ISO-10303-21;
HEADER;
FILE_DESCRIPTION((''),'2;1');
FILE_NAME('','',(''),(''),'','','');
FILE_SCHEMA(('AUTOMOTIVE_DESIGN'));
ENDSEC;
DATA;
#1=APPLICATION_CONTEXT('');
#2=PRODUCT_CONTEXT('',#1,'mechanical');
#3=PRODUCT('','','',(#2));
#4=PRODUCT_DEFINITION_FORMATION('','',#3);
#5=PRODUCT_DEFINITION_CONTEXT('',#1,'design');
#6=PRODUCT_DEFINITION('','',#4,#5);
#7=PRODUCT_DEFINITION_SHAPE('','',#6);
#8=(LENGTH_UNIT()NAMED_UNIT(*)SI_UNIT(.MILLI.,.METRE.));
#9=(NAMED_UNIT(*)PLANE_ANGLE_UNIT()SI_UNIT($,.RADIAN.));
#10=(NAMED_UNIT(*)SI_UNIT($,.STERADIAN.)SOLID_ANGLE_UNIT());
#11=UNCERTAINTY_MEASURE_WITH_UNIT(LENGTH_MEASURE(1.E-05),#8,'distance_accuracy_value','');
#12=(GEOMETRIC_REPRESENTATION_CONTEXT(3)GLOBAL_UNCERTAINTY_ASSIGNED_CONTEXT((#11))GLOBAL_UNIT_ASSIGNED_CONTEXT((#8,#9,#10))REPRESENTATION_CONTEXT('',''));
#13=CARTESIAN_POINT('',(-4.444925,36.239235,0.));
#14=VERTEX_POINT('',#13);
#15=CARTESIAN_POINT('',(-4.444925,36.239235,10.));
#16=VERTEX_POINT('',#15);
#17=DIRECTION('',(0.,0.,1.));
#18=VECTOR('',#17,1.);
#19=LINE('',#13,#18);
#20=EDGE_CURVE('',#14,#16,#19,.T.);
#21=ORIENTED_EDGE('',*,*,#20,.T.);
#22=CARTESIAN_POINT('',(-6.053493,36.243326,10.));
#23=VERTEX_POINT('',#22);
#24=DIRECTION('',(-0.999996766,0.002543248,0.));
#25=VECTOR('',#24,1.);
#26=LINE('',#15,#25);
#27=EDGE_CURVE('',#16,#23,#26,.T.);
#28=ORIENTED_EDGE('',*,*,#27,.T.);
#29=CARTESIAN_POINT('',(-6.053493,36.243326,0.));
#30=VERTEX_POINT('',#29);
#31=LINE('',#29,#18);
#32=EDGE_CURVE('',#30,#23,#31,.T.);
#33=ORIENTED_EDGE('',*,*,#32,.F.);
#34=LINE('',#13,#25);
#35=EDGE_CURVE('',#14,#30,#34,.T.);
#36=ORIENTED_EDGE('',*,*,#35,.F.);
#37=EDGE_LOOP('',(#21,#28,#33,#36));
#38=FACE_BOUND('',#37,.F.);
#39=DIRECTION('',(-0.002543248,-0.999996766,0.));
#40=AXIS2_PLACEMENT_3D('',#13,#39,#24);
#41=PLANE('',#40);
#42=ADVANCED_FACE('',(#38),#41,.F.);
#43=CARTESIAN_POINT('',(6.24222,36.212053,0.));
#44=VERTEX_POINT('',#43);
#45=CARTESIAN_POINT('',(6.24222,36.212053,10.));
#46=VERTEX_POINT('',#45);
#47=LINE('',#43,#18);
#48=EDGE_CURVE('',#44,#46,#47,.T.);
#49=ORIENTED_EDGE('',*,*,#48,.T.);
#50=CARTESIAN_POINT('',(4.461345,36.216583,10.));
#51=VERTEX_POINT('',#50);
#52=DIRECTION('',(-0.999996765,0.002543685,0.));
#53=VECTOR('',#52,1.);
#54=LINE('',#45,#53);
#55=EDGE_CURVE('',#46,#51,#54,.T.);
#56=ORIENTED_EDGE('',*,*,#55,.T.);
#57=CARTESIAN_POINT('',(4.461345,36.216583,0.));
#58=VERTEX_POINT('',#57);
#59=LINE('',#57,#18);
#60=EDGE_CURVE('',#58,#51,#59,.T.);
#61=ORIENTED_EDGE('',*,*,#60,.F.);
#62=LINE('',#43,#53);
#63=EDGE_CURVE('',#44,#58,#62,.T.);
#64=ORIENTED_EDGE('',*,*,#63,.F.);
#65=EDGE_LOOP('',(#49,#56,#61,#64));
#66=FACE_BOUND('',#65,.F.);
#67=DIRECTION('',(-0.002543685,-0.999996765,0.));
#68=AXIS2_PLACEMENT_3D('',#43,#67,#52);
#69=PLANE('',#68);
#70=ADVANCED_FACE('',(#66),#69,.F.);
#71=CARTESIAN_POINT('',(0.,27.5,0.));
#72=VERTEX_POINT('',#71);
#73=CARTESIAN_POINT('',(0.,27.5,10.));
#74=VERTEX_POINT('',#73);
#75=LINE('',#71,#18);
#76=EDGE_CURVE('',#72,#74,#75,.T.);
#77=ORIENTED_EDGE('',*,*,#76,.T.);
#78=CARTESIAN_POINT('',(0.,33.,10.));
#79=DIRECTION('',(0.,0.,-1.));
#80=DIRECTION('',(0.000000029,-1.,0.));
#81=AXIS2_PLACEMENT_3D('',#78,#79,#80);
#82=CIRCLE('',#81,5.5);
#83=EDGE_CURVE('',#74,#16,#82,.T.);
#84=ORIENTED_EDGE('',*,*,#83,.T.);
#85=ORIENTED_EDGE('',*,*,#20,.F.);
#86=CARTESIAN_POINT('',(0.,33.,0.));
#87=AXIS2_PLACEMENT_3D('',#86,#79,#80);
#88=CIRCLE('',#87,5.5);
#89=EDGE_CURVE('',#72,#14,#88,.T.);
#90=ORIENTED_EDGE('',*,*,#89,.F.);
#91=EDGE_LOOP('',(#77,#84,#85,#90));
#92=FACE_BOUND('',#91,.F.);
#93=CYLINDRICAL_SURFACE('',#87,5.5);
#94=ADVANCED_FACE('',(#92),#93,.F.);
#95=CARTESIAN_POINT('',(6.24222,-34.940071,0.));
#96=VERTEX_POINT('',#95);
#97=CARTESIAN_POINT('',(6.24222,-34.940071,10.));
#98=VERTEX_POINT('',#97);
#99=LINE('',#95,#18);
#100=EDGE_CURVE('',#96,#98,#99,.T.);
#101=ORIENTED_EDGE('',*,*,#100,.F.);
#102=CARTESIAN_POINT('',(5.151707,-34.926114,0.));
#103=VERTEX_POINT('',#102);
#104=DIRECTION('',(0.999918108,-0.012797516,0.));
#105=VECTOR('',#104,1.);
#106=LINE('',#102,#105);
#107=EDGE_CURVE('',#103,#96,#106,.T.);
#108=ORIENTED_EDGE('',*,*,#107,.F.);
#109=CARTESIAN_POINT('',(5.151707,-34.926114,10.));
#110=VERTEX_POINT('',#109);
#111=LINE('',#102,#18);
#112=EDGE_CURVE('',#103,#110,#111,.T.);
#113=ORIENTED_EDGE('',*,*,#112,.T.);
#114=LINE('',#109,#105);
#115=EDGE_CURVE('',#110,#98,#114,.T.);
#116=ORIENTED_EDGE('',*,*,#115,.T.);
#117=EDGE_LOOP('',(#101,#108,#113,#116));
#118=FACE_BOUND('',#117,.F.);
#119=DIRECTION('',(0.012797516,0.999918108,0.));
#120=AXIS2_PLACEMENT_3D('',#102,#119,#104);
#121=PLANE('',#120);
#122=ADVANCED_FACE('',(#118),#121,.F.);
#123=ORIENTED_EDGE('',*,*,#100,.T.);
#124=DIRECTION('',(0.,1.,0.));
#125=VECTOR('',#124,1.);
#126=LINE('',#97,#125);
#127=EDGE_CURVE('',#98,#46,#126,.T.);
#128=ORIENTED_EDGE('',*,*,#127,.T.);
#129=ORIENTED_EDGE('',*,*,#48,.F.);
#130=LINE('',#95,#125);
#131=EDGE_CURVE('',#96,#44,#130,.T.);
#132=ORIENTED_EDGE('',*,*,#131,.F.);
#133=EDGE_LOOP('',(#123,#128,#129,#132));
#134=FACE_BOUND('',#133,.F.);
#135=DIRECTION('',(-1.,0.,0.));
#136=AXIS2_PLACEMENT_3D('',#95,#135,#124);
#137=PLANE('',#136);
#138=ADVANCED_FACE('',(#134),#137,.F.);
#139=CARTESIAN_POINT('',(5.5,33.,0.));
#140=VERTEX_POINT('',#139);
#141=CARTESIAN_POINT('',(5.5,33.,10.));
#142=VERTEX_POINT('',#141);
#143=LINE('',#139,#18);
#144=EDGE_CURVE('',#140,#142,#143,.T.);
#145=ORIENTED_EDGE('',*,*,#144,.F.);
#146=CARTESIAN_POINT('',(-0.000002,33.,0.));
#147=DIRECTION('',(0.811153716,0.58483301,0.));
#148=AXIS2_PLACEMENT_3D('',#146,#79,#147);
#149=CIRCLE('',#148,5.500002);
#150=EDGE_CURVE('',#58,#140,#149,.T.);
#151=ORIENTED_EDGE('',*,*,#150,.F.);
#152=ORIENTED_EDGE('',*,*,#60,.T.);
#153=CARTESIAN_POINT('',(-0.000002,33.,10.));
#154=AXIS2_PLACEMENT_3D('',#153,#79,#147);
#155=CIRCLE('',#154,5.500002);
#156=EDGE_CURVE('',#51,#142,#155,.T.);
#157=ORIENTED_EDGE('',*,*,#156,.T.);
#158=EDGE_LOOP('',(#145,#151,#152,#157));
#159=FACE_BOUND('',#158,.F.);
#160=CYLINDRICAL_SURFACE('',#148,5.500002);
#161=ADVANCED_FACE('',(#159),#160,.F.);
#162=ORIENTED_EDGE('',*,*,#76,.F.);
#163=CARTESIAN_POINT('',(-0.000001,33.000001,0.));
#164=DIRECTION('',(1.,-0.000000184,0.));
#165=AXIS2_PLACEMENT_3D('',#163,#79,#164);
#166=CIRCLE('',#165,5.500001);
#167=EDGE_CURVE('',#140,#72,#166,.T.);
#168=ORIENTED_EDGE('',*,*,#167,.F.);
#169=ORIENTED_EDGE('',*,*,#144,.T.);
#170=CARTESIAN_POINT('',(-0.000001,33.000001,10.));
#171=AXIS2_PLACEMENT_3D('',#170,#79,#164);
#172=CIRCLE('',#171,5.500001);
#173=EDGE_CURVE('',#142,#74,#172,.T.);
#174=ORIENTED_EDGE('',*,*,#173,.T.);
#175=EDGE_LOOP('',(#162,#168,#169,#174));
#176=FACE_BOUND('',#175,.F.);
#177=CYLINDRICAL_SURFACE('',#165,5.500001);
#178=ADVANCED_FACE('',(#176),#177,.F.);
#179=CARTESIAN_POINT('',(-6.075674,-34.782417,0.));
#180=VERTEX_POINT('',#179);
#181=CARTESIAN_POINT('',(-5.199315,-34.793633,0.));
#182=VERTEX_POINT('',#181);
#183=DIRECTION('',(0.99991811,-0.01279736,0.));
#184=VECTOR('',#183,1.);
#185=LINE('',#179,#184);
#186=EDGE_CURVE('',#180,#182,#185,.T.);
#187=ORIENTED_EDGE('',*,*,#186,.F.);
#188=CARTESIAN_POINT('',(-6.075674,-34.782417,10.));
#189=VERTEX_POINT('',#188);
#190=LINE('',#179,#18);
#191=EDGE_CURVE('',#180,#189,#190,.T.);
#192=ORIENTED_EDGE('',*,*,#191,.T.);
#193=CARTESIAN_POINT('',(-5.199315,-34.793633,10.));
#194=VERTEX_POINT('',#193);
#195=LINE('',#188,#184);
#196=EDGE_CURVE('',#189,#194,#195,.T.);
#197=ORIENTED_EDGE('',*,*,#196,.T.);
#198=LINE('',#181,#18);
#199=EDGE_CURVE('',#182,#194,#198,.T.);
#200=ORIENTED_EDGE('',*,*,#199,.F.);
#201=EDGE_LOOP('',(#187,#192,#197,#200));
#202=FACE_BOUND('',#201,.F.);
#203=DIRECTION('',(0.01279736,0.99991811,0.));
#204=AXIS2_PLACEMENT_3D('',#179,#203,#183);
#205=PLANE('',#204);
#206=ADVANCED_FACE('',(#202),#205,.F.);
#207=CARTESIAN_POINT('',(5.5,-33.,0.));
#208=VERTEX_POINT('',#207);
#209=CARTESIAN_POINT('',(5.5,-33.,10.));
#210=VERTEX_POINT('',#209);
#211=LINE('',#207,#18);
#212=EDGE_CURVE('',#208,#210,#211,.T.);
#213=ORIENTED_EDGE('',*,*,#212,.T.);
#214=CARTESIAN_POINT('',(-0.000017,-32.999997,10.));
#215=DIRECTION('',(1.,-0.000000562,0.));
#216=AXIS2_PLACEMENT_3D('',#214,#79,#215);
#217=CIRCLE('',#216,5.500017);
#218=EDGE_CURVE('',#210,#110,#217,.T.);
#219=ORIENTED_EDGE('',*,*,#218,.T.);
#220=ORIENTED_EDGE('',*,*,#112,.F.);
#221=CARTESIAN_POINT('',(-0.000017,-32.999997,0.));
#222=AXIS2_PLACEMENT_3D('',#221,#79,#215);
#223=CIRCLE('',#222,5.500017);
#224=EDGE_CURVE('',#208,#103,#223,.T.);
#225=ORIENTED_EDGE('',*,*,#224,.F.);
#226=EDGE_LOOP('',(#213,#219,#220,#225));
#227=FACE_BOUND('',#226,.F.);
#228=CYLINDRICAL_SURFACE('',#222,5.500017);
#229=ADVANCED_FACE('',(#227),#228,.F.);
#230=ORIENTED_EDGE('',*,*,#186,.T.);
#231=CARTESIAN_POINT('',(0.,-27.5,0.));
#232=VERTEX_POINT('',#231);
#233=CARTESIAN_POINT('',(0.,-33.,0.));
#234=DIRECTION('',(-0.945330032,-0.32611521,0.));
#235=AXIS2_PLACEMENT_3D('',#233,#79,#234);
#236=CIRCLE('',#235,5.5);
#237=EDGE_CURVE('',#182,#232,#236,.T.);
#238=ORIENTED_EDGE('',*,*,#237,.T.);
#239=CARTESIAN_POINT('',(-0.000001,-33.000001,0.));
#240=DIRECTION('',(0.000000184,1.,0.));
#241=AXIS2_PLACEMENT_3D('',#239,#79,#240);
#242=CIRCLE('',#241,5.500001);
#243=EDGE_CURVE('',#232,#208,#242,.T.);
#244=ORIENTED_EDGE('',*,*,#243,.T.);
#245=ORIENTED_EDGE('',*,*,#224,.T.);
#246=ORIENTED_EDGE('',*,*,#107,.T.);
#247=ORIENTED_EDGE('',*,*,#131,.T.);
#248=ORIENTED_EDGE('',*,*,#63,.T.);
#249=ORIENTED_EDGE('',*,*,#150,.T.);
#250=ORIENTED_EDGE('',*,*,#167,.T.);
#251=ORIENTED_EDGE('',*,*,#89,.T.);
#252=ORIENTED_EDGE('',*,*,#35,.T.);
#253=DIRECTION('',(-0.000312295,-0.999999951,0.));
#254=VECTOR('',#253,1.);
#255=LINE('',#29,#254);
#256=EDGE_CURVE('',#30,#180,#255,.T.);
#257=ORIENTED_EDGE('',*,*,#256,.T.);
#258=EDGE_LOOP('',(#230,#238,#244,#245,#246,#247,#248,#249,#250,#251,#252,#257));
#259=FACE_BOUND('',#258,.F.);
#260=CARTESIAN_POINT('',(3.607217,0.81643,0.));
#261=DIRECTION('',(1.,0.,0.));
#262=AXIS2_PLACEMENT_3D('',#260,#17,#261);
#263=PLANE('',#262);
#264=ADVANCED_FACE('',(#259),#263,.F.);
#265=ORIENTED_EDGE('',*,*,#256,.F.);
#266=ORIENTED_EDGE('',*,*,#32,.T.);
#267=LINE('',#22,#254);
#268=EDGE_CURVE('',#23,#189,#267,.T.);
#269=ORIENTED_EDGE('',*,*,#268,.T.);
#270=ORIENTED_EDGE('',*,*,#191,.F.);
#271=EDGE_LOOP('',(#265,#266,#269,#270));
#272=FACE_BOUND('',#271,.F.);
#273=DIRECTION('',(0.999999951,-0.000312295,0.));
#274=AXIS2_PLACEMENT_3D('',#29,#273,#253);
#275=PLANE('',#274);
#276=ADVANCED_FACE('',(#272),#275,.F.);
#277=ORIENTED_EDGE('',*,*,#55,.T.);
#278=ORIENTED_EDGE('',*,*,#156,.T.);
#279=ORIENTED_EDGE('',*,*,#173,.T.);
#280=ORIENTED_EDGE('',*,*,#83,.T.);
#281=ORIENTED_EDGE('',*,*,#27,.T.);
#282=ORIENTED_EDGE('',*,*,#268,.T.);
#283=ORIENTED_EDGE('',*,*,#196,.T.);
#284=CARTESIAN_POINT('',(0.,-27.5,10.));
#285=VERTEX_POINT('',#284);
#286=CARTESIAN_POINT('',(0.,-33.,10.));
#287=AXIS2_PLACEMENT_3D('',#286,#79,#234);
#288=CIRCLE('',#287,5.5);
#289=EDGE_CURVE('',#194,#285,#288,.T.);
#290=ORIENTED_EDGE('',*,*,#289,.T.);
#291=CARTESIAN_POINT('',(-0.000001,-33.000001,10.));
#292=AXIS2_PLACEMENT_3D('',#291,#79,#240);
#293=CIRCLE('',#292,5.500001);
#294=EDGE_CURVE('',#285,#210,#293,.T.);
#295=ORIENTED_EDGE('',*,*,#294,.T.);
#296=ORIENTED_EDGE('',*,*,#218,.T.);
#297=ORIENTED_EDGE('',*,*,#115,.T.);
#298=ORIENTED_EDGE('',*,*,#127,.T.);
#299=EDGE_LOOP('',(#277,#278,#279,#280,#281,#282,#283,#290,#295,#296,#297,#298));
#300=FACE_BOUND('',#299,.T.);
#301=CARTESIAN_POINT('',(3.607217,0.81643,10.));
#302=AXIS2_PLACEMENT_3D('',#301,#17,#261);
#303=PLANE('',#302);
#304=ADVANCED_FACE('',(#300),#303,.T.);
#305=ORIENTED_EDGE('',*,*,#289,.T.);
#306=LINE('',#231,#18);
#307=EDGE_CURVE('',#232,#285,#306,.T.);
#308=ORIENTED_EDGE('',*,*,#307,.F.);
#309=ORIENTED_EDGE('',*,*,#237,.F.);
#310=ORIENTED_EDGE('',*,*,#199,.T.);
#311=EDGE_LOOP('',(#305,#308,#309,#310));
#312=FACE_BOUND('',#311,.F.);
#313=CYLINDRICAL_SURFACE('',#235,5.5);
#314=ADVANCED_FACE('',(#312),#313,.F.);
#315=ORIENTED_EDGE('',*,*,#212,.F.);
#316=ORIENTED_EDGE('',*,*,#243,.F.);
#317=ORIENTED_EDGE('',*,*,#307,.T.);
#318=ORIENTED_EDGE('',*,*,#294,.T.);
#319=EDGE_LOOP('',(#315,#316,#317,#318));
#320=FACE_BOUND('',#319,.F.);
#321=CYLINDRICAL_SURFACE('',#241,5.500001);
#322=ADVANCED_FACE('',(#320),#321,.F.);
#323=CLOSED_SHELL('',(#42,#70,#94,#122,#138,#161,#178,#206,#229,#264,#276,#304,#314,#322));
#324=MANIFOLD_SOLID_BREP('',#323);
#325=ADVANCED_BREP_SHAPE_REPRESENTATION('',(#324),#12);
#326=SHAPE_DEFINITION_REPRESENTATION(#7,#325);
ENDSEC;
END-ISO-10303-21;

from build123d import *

# Parameters (mm, degrees)
F1_DEPTH = 10


with BuildPart() as f1:
    # F0 (on Top) → F1 (new body)
    with BuildSketch(Plane.XY):
        with BuildLine():
            Line((0, 27.5), (0, 0))
            Line((0, 0), (0, -27.5))
            ThreePointArc((0, -27.5), (3.889087, -29.110913), (5.5, -33))
            ThreePointArc((5.5, -33), (5.412226, -33.978676), (5.151707, -34.926114))
            Line((5.151707, -34.926114), (6.24222, -34.940071))
            Line((6.24222, -34.940071), (6.24222, 36.212053))
            Line((6.24222, 36.212053), (4.461345, 36.216583))
            ThreePointArc((4.461345, 36.216583), (5.233899, 34.69006), (5.5, 33))
            ThreePointArc((5.5, 33), (3.889087, 29.110913), (0, 27.5))
        make_face()
        with BuildLine():
            Line((0, -27.5), (0, 0))
            Line((0, 0), (0, 27.5))
            ThreePointArc((0, 27.5), (-4.902336, 30.506588), (-4.444925, 36.239235))
            Line((-4.444925, 36.239235), (-6.053493, 36.243326))
            Line((-6.053493, 36.243326), (-6.075674, -34.782417))
            Line((-6.075674, -34.782417), (-5.199315, -34.793633))
            ThreePointArc((-5.199315, -34.793633), (-4.478559, -29.807429), (0, -27.5))
        make_face()
    extrude(amount=F1_DEPTH)


solid = f1.part
